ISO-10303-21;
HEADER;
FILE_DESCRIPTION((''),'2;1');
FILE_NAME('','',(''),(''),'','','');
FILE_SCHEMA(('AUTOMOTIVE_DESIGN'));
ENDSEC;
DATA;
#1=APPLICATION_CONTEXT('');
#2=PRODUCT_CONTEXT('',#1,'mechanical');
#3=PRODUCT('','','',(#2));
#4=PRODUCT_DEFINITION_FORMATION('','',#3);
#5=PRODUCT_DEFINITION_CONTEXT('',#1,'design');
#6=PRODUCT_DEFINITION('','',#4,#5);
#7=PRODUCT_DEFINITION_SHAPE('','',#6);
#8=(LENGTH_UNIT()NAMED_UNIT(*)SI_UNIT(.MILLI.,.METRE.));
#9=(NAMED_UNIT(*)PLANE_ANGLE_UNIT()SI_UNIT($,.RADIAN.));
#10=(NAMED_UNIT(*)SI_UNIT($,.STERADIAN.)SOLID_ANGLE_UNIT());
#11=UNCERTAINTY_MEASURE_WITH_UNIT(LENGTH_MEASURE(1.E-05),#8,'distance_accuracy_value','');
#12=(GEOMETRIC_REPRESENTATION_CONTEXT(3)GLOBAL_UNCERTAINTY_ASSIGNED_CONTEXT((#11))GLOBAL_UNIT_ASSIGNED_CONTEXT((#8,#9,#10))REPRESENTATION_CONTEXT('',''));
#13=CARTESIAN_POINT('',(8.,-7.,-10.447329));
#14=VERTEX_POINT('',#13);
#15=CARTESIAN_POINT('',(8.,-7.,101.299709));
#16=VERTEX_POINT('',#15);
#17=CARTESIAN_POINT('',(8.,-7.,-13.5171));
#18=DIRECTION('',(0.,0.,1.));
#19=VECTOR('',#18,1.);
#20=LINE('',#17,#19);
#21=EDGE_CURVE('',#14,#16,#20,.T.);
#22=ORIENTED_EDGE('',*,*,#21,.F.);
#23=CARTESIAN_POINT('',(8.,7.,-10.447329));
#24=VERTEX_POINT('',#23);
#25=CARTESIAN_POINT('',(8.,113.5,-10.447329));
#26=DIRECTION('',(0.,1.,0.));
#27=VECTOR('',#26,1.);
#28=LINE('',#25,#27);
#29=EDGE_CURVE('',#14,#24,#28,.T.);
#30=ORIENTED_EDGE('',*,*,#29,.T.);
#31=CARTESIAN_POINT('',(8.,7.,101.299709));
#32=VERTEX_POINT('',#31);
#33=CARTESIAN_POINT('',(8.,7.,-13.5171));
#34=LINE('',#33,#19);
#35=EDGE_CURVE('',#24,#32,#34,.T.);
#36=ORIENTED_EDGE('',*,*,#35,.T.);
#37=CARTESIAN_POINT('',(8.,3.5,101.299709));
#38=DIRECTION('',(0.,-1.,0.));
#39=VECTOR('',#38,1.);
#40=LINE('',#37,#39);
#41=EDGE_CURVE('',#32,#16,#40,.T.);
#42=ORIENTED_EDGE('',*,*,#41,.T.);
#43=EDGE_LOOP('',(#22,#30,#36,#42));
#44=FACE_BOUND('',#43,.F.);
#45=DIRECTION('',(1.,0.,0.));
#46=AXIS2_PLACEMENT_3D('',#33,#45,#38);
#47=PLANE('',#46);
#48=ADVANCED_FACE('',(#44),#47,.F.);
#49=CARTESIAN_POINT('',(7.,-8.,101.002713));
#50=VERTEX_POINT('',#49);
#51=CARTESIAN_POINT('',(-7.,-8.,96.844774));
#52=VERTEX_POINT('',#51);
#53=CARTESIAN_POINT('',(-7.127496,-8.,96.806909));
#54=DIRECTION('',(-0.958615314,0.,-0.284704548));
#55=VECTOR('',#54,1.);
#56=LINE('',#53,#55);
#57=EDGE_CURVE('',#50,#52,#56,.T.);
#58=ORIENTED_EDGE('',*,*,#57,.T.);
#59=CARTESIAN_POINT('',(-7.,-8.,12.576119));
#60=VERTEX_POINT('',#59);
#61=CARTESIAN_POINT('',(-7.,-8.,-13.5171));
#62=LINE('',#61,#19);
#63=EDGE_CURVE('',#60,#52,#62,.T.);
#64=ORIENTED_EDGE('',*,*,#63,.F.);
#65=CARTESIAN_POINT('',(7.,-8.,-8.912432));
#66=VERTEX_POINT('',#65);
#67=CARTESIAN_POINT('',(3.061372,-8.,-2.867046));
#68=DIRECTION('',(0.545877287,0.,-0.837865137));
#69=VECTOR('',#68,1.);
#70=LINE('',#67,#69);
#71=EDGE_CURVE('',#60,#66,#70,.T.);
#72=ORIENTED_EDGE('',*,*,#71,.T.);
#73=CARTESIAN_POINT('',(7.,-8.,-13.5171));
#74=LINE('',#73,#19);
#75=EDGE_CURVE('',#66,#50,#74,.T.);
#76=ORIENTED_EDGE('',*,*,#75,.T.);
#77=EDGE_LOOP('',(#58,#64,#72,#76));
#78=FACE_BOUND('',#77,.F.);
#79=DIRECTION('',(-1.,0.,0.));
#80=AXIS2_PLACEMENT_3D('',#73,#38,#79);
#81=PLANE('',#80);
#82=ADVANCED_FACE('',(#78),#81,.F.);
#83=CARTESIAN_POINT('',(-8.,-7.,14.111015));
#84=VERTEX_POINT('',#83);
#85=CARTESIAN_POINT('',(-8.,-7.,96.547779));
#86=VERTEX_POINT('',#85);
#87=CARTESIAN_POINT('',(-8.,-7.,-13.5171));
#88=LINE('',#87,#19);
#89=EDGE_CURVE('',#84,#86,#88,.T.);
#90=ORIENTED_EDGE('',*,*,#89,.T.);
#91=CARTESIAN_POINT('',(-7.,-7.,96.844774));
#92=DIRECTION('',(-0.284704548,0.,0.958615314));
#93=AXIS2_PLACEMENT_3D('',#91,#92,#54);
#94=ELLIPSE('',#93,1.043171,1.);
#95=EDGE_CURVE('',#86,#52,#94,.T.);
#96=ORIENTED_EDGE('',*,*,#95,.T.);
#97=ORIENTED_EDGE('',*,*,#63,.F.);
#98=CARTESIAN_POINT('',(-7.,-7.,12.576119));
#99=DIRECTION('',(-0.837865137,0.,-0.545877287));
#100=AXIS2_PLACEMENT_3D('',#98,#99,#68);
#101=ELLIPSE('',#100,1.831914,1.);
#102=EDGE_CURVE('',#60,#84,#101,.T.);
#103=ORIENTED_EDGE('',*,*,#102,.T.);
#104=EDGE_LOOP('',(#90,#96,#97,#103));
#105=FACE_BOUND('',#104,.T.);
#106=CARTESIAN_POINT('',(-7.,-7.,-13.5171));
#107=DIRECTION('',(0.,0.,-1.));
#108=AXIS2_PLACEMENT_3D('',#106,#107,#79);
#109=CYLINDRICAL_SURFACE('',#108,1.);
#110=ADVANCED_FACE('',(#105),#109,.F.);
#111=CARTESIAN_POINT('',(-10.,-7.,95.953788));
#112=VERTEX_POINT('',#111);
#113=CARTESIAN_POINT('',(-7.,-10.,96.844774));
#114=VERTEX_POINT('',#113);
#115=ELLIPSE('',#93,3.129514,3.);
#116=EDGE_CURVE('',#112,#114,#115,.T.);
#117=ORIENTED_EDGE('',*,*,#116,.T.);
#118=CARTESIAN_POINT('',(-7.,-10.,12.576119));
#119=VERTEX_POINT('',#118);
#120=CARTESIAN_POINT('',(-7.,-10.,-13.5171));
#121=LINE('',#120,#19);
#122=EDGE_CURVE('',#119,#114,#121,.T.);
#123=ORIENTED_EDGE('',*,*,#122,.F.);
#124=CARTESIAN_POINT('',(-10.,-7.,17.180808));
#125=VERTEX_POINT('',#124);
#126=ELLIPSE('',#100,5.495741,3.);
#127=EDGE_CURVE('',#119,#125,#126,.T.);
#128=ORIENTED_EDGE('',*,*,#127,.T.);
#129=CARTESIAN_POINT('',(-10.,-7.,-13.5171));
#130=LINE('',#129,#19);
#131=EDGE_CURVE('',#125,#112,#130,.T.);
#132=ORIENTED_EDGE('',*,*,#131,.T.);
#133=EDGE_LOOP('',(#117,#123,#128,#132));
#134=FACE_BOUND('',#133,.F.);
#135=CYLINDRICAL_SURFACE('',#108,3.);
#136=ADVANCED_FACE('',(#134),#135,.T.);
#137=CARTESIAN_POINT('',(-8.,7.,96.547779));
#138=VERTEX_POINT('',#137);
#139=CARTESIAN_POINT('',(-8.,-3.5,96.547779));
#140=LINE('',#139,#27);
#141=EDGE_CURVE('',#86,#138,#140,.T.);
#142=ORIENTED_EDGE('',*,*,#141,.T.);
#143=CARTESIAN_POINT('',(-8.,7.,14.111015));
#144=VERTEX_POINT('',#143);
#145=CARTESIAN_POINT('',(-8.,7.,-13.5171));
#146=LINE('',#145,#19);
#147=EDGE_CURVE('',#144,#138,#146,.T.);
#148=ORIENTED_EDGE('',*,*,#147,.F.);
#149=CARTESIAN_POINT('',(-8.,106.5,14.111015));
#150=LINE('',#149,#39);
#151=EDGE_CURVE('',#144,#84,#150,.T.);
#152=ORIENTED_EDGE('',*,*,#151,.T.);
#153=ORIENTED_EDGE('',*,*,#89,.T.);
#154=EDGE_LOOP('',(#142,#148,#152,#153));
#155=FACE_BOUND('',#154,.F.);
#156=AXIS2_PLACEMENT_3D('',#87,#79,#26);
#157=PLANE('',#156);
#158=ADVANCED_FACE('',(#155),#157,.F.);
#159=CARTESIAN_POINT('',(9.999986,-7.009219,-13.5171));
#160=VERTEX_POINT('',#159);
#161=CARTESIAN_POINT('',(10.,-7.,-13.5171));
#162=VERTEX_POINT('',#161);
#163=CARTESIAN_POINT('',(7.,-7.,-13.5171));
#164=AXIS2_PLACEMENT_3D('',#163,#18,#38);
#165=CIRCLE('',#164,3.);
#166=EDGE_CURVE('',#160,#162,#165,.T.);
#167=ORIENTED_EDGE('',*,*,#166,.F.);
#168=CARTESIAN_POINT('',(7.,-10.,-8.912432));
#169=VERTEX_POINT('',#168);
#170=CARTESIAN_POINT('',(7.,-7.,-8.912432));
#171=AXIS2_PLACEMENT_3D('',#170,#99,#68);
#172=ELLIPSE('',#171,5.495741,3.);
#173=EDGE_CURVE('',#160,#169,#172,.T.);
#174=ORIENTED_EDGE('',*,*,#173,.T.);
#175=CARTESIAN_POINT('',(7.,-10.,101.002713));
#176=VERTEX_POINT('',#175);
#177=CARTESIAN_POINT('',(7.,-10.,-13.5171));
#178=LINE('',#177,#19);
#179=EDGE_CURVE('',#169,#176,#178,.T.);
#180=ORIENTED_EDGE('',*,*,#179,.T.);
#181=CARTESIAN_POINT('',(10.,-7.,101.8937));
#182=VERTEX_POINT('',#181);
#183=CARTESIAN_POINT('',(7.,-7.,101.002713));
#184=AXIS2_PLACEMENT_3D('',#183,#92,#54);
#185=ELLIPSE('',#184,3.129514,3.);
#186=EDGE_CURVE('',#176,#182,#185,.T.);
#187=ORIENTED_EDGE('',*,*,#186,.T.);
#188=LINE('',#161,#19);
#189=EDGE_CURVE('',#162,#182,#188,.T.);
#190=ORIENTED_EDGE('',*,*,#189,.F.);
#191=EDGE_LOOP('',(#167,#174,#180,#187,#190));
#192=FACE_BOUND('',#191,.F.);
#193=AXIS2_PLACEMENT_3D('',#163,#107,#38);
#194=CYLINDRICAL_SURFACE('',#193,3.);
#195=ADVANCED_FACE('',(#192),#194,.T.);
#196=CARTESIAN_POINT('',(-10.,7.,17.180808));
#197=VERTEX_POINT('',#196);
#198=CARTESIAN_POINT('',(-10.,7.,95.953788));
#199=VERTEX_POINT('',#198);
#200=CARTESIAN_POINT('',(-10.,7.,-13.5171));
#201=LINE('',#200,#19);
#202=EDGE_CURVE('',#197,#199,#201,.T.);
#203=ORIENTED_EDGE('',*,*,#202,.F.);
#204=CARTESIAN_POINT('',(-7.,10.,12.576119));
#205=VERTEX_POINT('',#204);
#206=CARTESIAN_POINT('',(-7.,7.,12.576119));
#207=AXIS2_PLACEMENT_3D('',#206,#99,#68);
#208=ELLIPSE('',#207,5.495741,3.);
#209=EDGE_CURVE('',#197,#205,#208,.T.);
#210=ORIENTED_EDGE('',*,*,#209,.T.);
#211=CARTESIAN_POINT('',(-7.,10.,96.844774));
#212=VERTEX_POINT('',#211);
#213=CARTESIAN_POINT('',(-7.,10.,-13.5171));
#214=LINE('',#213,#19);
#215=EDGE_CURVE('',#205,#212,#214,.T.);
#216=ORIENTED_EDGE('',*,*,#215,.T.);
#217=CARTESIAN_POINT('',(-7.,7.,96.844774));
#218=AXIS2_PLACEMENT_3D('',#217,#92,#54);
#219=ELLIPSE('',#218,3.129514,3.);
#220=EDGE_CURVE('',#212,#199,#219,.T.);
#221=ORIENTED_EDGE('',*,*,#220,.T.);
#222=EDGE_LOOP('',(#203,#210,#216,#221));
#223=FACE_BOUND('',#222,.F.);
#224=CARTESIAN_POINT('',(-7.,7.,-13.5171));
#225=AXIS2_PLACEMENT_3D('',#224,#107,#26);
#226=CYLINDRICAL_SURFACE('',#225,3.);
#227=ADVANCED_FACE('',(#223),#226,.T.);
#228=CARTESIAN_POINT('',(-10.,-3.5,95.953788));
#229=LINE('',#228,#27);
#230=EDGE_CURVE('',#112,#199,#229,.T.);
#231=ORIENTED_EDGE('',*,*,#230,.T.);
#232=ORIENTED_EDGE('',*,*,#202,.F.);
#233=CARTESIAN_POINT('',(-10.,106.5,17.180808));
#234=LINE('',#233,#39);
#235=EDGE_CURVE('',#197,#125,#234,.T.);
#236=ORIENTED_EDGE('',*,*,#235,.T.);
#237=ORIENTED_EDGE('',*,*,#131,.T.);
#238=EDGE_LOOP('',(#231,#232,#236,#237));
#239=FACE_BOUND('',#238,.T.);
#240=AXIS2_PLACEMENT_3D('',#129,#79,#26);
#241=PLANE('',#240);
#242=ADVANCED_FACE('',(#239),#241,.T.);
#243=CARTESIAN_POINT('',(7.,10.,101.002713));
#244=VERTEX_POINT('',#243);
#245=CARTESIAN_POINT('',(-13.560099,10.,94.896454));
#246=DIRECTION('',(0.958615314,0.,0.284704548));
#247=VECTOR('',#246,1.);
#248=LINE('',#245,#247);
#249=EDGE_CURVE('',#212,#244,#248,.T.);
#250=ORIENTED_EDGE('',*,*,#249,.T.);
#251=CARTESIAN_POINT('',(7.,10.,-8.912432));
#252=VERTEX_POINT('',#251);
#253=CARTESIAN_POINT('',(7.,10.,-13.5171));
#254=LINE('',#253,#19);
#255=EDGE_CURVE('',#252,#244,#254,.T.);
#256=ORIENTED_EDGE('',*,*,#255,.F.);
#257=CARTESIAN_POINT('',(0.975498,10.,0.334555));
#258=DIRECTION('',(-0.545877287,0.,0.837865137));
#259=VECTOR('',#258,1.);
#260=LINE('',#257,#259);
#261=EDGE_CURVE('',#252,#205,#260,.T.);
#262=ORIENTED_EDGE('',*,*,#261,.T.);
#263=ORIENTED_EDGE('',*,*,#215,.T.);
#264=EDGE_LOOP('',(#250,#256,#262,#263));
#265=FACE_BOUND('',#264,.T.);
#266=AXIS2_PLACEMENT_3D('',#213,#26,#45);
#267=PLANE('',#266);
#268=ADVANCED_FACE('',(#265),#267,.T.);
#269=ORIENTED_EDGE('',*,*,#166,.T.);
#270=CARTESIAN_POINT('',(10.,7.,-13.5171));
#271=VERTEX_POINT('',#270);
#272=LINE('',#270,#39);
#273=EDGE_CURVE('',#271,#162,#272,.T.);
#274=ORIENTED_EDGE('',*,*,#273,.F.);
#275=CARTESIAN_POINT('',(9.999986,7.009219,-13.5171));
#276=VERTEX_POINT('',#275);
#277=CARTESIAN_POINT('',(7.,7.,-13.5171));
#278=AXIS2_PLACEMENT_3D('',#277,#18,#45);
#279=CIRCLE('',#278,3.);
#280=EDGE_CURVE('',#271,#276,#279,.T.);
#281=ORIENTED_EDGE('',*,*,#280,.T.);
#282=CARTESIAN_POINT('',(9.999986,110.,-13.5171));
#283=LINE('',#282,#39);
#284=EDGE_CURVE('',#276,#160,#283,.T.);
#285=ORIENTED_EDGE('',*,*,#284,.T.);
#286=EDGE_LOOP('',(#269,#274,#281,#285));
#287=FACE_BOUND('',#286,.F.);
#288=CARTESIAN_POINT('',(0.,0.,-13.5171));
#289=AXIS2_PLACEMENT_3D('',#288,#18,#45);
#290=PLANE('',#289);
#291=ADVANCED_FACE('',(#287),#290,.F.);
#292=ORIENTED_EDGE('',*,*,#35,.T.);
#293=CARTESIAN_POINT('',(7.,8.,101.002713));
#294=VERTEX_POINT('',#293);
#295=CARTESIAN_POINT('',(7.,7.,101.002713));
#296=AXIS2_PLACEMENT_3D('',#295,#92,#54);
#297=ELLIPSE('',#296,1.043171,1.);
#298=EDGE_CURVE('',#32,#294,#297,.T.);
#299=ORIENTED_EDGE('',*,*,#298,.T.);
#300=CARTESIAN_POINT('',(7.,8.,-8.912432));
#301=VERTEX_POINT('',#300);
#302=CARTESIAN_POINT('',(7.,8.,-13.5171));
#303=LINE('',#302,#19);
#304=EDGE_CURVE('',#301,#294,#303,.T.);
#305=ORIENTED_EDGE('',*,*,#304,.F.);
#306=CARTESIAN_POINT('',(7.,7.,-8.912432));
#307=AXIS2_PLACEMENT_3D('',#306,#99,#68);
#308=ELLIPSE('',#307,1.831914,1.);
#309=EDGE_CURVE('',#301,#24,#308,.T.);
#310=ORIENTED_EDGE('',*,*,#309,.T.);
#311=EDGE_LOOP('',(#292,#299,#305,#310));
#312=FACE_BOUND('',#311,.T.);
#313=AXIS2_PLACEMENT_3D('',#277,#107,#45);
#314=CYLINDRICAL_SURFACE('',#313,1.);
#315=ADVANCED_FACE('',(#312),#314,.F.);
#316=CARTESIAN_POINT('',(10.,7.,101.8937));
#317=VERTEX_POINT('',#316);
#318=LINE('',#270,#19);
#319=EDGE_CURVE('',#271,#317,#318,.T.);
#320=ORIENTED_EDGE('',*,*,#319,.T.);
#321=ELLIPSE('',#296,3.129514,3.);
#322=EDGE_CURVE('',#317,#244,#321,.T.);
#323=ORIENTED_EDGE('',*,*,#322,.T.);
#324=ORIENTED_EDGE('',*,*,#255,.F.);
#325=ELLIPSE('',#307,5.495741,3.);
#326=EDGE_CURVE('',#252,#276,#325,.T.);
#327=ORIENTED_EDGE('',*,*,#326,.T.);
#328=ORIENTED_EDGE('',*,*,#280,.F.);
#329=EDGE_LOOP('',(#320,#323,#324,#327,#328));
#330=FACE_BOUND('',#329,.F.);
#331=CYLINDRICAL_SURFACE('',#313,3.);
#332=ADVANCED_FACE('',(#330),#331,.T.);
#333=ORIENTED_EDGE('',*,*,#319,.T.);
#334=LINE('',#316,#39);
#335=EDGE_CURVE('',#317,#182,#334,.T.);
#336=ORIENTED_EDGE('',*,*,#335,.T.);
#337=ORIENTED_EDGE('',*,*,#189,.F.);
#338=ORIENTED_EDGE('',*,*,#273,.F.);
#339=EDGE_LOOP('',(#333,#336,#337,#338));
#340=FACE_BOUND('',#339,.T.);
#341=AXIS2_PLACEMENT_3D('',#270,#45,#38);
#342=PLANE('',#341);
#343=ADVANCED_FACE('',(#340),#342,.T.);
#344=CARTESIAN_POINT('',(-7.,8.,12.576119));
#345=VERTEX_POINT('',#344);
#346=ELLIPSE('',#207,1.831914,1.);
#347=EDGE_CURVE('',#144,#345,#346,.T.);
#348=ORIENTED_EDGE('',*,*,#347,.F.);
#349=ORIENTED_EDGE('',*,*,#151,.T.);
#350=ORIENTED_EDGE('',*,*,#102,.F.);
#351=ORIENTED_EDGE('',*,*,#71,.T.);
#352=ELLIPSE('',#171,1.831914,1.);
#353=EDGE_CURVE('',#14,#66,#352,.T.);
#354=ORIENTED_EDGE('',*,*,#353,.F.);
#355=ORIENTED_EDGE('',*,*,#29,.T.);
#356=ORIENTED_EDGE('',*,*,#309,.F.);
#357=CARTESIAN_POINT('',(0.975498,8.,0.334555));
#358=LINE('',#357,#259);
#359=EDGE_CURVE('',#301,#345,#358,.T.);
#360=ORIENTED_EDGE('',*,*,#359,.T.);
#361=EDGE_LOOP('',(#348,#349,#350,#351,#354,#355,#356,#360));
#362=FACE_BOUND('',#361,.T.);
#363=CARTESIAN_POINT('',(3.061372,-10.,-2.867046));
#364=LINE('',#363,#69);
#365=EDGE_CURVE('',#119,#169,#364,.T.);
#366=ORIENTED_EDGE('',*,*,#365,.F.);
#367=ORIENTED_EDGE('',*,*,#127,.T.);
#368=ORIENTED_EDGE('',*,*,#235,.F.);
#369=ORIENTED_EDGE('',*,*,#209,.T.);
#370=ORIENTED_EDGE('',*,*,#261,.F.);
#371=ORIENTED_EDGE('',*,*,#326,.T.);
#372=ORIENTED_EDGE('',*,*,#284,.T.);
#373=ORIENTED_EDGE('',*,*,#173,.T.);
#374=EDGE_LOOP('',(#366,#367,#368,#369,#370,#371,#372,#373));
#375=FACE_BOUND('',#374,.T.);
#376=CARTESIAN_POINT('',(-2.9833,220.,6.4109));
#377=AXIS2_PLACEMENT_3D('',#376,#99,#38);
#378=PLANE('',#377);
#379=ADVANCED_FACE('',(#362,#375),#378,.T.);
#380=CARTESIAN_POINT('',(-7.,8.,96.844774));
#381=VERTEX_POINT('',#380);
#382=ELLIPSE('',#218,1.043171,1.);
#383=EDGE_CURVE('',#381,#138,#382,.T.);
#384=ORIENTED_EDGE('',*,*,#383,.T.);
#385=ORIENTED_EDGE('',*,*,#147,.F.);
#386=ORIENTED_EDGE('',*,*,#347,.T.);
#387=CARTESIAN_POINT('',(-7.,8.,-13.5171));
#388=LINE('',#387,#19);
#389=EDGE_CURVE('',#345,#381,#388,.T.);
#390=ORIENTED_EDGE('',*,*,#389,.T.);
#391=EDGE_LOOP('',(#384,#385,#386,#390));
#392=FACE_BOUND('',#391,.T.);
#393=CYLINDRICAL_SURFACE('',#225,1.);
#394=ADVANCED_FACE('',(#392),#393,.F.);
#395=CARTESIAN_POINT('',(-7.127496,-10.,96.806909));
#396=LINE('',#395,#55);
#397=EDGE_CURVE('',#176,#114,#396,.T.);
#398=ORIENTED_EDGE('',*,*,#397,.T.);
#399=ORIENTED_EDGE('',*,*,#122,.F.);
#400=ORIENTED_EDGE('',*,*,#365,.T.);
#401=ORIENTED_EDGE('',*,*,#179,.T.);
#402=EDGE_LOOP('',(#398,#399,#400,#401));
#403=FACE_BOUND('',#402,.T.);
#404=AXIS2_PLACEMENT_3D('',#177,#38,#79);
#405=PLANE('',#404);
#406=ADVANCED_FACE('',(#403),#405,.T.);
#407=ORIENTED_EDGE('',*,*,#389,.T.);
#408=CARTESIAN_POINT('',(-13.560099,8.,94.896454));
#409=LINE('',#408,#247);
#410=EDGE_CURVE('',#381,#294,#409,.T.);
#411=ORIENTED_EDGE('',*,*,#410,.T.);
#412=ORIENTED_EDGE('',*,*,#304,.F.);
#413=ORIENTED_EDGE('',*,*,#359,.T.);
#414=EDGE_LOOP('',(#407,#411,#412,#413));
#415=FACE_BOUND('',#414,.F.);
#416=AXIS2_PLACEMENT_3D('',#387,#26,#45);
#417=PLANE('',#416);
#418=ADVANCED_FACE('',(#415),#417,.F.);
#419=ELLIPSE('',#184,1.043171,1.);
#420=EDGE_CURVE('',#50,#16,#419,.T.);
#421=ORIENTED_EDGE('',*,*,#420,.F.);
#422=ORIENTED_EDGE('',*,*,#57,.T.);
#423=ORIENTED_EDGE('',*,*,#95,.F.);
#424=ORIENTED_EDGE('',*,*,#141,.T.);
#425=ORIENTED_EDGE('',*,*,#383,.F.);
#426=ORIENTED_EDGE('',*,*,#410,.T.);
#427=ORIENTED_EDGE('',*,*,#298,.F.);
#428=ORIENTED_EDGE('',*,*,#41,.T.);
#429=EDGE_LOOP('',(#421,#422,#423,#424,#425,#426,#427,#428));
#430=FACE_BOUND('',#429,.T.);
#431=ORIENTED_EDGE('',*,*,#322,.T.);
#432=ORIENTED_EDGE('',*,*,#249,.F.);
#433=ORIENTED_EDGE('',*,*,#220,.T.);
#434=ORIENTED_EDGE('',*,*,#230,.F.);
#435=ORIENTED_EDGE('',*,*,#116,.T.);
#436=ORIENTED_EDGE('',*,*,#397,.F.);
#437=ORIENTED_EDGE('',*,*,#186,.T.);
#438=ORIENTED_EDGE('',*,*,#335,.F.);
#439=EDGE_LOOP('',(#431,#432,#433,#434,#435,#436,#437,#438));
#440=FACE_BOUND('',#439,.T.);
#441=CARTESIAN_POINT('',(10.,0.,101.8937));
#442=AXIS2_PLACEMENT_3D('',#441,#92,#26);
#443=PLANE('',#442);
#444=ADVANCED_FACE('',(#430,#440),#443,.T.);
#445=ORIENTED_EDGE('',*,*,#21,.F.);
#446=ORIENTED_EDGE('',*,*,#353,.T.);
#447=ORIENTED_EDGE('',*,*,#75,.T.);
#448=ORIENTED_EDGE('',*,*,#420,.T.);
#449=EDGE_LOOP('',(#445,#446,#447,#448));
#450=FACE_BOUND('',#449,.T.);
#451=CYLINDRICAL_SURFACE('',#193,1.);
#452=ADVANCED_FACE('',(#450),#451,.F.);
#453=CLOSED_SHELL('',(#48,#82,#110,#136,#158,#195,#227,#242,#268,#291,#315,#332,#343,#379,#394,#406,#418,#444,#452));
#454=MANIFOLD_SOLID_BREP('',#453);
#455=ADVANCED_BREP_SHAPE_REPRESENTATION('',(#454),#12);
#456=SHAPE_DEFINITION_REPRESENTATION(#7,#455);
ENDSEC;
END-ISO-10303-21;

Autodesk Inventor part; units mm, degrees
ref_plane "Start Plane" through (0, 0, -13.5171) normal (0, 0, 1) x (1, 0, 0)
ref_plane "End Plane" through (0, 0, 101.8937) normal (0, 0, 1) x (1, 0, 0)
sketch "Sketch" plane through (0, 0, 0) normal (0, 0, 1) x (1, 0, 0)
  line L0 (-10, -7) -> (-10, 7)
  line L1 (-7, 10) -> (7, 10)
  line L2 (10, 7) -> (10, -7)
  line L3 (7, -10) -> (-7, -10)
  arc A0 (-10, -7) -> (-7, -10) centre (-7, -7) ccw
  arc A1 (-7, 10) -> (-10, 7) centre (-7, 7) ccw
  arc A2 (10, 7) -> (7, 10) centre (7, 7) ccw
  arc A3 (7, -10) -> (10, -7) centre (7, -7) ccw
  arc A4 (-7, 8) -> (-8, 7) centre (-7, 7) ccw
  line L4 (-7, 8) -> (7, 8)
  arc A5 (8, 7) -> (7, 8) centre (7, 7) ccw
  line L5 (8, 7) -> (8, -7)
  arc A6 (7, -8) -> (8, -7) centre (7, -7) ccw
  line L6 (7, -8) -> (-7, -8)
  arc A7 (-8, -7) -> (-7, -8) centre (-7, -7) ccw
  line L7 (-8, -7) -> (-8, 7)
  line L8 (0, 14.8698) -> (0, -14.8698) construction
  line L9 (-14.8698, 0) -> (14.8698, 0) construction
  dimension "d7" = 3
  dimension "d10" = 20
  dimension "d11" = 20
  dimension "d12" = 2
  dimension "d15" = 10
  dimension "d16" = 10
extrude "Body" add sketch "Sketch" along normal up to surface (115.4108 mm away) from surface at -13.5171
sketch "Sketch3" plane through (0, 0, 0) normal (0, 0, 1) x (1, 0, 0)
  line L0 (0, 0) -> (10, 0)
ref_plane "Work Plane3" through (0, 0, 0) normal (0, -1, 0) x (1, 0, 0)
sketch "Sketch4" plane through (0, 0, 0) normal (0, -1, 0) x (1, 0, 0)
  line L0 (-2, -13.5171) -> (12, -13.5171)
  line L1 (-2, 101.8937) -> (12, 101.8937)
  dimension "d18" = 115.4107
ref_plane "Work Plane4" through (10, 0, 101.8937) normal (-0.2847, 0, 0.9586) x (0.9586, 0, 0.2847)
split "Split1" plane through (10, 0, 101.8937) removes the side toward (-0.2847, 0, 0.9586)
ref_plane "Work Plane5" through (-2.9833, 220, 6.4109) normal (-0.8379, 0, -0.5459) x (-0.5459, 0, 0.8379)
split "Split2" plane through (-2.9833, 220, 6.4109) removes the side toward (-0.8379, 0, -0.5459)
equation "\"d7\" = G_IR"
equation "\"d10\" = G_H"
equation "\"d11\" = G_W"
equation "\"d12\" = G_T"
equation "\"d15\" = 0.5 * d10"
equation "\"d16\" = 0.5 * d11"
equation "\"d3\" = G_L"
equation "\"G_W\" = 20"
equation "\"G_H\" = 20"
equation "\"G_T\" = 2"
equation "\"G_IR\" = 3"
equation "\"G_L\" = 115.41075"
equation "\"G_OFFSET_START\" = 13.51709"
equation "\"G_OFFSET_END\" = 2.97016"
equation "\"d13\" = -G_OFFSET_START"
equation "\"d14\" = G_OFFSET_END + B_L"
equation "\"B_L\" = 98.9235"
properties part number "ISO 12633-2 - 20x20x2 - 115.41" material "Steel, Mild"
